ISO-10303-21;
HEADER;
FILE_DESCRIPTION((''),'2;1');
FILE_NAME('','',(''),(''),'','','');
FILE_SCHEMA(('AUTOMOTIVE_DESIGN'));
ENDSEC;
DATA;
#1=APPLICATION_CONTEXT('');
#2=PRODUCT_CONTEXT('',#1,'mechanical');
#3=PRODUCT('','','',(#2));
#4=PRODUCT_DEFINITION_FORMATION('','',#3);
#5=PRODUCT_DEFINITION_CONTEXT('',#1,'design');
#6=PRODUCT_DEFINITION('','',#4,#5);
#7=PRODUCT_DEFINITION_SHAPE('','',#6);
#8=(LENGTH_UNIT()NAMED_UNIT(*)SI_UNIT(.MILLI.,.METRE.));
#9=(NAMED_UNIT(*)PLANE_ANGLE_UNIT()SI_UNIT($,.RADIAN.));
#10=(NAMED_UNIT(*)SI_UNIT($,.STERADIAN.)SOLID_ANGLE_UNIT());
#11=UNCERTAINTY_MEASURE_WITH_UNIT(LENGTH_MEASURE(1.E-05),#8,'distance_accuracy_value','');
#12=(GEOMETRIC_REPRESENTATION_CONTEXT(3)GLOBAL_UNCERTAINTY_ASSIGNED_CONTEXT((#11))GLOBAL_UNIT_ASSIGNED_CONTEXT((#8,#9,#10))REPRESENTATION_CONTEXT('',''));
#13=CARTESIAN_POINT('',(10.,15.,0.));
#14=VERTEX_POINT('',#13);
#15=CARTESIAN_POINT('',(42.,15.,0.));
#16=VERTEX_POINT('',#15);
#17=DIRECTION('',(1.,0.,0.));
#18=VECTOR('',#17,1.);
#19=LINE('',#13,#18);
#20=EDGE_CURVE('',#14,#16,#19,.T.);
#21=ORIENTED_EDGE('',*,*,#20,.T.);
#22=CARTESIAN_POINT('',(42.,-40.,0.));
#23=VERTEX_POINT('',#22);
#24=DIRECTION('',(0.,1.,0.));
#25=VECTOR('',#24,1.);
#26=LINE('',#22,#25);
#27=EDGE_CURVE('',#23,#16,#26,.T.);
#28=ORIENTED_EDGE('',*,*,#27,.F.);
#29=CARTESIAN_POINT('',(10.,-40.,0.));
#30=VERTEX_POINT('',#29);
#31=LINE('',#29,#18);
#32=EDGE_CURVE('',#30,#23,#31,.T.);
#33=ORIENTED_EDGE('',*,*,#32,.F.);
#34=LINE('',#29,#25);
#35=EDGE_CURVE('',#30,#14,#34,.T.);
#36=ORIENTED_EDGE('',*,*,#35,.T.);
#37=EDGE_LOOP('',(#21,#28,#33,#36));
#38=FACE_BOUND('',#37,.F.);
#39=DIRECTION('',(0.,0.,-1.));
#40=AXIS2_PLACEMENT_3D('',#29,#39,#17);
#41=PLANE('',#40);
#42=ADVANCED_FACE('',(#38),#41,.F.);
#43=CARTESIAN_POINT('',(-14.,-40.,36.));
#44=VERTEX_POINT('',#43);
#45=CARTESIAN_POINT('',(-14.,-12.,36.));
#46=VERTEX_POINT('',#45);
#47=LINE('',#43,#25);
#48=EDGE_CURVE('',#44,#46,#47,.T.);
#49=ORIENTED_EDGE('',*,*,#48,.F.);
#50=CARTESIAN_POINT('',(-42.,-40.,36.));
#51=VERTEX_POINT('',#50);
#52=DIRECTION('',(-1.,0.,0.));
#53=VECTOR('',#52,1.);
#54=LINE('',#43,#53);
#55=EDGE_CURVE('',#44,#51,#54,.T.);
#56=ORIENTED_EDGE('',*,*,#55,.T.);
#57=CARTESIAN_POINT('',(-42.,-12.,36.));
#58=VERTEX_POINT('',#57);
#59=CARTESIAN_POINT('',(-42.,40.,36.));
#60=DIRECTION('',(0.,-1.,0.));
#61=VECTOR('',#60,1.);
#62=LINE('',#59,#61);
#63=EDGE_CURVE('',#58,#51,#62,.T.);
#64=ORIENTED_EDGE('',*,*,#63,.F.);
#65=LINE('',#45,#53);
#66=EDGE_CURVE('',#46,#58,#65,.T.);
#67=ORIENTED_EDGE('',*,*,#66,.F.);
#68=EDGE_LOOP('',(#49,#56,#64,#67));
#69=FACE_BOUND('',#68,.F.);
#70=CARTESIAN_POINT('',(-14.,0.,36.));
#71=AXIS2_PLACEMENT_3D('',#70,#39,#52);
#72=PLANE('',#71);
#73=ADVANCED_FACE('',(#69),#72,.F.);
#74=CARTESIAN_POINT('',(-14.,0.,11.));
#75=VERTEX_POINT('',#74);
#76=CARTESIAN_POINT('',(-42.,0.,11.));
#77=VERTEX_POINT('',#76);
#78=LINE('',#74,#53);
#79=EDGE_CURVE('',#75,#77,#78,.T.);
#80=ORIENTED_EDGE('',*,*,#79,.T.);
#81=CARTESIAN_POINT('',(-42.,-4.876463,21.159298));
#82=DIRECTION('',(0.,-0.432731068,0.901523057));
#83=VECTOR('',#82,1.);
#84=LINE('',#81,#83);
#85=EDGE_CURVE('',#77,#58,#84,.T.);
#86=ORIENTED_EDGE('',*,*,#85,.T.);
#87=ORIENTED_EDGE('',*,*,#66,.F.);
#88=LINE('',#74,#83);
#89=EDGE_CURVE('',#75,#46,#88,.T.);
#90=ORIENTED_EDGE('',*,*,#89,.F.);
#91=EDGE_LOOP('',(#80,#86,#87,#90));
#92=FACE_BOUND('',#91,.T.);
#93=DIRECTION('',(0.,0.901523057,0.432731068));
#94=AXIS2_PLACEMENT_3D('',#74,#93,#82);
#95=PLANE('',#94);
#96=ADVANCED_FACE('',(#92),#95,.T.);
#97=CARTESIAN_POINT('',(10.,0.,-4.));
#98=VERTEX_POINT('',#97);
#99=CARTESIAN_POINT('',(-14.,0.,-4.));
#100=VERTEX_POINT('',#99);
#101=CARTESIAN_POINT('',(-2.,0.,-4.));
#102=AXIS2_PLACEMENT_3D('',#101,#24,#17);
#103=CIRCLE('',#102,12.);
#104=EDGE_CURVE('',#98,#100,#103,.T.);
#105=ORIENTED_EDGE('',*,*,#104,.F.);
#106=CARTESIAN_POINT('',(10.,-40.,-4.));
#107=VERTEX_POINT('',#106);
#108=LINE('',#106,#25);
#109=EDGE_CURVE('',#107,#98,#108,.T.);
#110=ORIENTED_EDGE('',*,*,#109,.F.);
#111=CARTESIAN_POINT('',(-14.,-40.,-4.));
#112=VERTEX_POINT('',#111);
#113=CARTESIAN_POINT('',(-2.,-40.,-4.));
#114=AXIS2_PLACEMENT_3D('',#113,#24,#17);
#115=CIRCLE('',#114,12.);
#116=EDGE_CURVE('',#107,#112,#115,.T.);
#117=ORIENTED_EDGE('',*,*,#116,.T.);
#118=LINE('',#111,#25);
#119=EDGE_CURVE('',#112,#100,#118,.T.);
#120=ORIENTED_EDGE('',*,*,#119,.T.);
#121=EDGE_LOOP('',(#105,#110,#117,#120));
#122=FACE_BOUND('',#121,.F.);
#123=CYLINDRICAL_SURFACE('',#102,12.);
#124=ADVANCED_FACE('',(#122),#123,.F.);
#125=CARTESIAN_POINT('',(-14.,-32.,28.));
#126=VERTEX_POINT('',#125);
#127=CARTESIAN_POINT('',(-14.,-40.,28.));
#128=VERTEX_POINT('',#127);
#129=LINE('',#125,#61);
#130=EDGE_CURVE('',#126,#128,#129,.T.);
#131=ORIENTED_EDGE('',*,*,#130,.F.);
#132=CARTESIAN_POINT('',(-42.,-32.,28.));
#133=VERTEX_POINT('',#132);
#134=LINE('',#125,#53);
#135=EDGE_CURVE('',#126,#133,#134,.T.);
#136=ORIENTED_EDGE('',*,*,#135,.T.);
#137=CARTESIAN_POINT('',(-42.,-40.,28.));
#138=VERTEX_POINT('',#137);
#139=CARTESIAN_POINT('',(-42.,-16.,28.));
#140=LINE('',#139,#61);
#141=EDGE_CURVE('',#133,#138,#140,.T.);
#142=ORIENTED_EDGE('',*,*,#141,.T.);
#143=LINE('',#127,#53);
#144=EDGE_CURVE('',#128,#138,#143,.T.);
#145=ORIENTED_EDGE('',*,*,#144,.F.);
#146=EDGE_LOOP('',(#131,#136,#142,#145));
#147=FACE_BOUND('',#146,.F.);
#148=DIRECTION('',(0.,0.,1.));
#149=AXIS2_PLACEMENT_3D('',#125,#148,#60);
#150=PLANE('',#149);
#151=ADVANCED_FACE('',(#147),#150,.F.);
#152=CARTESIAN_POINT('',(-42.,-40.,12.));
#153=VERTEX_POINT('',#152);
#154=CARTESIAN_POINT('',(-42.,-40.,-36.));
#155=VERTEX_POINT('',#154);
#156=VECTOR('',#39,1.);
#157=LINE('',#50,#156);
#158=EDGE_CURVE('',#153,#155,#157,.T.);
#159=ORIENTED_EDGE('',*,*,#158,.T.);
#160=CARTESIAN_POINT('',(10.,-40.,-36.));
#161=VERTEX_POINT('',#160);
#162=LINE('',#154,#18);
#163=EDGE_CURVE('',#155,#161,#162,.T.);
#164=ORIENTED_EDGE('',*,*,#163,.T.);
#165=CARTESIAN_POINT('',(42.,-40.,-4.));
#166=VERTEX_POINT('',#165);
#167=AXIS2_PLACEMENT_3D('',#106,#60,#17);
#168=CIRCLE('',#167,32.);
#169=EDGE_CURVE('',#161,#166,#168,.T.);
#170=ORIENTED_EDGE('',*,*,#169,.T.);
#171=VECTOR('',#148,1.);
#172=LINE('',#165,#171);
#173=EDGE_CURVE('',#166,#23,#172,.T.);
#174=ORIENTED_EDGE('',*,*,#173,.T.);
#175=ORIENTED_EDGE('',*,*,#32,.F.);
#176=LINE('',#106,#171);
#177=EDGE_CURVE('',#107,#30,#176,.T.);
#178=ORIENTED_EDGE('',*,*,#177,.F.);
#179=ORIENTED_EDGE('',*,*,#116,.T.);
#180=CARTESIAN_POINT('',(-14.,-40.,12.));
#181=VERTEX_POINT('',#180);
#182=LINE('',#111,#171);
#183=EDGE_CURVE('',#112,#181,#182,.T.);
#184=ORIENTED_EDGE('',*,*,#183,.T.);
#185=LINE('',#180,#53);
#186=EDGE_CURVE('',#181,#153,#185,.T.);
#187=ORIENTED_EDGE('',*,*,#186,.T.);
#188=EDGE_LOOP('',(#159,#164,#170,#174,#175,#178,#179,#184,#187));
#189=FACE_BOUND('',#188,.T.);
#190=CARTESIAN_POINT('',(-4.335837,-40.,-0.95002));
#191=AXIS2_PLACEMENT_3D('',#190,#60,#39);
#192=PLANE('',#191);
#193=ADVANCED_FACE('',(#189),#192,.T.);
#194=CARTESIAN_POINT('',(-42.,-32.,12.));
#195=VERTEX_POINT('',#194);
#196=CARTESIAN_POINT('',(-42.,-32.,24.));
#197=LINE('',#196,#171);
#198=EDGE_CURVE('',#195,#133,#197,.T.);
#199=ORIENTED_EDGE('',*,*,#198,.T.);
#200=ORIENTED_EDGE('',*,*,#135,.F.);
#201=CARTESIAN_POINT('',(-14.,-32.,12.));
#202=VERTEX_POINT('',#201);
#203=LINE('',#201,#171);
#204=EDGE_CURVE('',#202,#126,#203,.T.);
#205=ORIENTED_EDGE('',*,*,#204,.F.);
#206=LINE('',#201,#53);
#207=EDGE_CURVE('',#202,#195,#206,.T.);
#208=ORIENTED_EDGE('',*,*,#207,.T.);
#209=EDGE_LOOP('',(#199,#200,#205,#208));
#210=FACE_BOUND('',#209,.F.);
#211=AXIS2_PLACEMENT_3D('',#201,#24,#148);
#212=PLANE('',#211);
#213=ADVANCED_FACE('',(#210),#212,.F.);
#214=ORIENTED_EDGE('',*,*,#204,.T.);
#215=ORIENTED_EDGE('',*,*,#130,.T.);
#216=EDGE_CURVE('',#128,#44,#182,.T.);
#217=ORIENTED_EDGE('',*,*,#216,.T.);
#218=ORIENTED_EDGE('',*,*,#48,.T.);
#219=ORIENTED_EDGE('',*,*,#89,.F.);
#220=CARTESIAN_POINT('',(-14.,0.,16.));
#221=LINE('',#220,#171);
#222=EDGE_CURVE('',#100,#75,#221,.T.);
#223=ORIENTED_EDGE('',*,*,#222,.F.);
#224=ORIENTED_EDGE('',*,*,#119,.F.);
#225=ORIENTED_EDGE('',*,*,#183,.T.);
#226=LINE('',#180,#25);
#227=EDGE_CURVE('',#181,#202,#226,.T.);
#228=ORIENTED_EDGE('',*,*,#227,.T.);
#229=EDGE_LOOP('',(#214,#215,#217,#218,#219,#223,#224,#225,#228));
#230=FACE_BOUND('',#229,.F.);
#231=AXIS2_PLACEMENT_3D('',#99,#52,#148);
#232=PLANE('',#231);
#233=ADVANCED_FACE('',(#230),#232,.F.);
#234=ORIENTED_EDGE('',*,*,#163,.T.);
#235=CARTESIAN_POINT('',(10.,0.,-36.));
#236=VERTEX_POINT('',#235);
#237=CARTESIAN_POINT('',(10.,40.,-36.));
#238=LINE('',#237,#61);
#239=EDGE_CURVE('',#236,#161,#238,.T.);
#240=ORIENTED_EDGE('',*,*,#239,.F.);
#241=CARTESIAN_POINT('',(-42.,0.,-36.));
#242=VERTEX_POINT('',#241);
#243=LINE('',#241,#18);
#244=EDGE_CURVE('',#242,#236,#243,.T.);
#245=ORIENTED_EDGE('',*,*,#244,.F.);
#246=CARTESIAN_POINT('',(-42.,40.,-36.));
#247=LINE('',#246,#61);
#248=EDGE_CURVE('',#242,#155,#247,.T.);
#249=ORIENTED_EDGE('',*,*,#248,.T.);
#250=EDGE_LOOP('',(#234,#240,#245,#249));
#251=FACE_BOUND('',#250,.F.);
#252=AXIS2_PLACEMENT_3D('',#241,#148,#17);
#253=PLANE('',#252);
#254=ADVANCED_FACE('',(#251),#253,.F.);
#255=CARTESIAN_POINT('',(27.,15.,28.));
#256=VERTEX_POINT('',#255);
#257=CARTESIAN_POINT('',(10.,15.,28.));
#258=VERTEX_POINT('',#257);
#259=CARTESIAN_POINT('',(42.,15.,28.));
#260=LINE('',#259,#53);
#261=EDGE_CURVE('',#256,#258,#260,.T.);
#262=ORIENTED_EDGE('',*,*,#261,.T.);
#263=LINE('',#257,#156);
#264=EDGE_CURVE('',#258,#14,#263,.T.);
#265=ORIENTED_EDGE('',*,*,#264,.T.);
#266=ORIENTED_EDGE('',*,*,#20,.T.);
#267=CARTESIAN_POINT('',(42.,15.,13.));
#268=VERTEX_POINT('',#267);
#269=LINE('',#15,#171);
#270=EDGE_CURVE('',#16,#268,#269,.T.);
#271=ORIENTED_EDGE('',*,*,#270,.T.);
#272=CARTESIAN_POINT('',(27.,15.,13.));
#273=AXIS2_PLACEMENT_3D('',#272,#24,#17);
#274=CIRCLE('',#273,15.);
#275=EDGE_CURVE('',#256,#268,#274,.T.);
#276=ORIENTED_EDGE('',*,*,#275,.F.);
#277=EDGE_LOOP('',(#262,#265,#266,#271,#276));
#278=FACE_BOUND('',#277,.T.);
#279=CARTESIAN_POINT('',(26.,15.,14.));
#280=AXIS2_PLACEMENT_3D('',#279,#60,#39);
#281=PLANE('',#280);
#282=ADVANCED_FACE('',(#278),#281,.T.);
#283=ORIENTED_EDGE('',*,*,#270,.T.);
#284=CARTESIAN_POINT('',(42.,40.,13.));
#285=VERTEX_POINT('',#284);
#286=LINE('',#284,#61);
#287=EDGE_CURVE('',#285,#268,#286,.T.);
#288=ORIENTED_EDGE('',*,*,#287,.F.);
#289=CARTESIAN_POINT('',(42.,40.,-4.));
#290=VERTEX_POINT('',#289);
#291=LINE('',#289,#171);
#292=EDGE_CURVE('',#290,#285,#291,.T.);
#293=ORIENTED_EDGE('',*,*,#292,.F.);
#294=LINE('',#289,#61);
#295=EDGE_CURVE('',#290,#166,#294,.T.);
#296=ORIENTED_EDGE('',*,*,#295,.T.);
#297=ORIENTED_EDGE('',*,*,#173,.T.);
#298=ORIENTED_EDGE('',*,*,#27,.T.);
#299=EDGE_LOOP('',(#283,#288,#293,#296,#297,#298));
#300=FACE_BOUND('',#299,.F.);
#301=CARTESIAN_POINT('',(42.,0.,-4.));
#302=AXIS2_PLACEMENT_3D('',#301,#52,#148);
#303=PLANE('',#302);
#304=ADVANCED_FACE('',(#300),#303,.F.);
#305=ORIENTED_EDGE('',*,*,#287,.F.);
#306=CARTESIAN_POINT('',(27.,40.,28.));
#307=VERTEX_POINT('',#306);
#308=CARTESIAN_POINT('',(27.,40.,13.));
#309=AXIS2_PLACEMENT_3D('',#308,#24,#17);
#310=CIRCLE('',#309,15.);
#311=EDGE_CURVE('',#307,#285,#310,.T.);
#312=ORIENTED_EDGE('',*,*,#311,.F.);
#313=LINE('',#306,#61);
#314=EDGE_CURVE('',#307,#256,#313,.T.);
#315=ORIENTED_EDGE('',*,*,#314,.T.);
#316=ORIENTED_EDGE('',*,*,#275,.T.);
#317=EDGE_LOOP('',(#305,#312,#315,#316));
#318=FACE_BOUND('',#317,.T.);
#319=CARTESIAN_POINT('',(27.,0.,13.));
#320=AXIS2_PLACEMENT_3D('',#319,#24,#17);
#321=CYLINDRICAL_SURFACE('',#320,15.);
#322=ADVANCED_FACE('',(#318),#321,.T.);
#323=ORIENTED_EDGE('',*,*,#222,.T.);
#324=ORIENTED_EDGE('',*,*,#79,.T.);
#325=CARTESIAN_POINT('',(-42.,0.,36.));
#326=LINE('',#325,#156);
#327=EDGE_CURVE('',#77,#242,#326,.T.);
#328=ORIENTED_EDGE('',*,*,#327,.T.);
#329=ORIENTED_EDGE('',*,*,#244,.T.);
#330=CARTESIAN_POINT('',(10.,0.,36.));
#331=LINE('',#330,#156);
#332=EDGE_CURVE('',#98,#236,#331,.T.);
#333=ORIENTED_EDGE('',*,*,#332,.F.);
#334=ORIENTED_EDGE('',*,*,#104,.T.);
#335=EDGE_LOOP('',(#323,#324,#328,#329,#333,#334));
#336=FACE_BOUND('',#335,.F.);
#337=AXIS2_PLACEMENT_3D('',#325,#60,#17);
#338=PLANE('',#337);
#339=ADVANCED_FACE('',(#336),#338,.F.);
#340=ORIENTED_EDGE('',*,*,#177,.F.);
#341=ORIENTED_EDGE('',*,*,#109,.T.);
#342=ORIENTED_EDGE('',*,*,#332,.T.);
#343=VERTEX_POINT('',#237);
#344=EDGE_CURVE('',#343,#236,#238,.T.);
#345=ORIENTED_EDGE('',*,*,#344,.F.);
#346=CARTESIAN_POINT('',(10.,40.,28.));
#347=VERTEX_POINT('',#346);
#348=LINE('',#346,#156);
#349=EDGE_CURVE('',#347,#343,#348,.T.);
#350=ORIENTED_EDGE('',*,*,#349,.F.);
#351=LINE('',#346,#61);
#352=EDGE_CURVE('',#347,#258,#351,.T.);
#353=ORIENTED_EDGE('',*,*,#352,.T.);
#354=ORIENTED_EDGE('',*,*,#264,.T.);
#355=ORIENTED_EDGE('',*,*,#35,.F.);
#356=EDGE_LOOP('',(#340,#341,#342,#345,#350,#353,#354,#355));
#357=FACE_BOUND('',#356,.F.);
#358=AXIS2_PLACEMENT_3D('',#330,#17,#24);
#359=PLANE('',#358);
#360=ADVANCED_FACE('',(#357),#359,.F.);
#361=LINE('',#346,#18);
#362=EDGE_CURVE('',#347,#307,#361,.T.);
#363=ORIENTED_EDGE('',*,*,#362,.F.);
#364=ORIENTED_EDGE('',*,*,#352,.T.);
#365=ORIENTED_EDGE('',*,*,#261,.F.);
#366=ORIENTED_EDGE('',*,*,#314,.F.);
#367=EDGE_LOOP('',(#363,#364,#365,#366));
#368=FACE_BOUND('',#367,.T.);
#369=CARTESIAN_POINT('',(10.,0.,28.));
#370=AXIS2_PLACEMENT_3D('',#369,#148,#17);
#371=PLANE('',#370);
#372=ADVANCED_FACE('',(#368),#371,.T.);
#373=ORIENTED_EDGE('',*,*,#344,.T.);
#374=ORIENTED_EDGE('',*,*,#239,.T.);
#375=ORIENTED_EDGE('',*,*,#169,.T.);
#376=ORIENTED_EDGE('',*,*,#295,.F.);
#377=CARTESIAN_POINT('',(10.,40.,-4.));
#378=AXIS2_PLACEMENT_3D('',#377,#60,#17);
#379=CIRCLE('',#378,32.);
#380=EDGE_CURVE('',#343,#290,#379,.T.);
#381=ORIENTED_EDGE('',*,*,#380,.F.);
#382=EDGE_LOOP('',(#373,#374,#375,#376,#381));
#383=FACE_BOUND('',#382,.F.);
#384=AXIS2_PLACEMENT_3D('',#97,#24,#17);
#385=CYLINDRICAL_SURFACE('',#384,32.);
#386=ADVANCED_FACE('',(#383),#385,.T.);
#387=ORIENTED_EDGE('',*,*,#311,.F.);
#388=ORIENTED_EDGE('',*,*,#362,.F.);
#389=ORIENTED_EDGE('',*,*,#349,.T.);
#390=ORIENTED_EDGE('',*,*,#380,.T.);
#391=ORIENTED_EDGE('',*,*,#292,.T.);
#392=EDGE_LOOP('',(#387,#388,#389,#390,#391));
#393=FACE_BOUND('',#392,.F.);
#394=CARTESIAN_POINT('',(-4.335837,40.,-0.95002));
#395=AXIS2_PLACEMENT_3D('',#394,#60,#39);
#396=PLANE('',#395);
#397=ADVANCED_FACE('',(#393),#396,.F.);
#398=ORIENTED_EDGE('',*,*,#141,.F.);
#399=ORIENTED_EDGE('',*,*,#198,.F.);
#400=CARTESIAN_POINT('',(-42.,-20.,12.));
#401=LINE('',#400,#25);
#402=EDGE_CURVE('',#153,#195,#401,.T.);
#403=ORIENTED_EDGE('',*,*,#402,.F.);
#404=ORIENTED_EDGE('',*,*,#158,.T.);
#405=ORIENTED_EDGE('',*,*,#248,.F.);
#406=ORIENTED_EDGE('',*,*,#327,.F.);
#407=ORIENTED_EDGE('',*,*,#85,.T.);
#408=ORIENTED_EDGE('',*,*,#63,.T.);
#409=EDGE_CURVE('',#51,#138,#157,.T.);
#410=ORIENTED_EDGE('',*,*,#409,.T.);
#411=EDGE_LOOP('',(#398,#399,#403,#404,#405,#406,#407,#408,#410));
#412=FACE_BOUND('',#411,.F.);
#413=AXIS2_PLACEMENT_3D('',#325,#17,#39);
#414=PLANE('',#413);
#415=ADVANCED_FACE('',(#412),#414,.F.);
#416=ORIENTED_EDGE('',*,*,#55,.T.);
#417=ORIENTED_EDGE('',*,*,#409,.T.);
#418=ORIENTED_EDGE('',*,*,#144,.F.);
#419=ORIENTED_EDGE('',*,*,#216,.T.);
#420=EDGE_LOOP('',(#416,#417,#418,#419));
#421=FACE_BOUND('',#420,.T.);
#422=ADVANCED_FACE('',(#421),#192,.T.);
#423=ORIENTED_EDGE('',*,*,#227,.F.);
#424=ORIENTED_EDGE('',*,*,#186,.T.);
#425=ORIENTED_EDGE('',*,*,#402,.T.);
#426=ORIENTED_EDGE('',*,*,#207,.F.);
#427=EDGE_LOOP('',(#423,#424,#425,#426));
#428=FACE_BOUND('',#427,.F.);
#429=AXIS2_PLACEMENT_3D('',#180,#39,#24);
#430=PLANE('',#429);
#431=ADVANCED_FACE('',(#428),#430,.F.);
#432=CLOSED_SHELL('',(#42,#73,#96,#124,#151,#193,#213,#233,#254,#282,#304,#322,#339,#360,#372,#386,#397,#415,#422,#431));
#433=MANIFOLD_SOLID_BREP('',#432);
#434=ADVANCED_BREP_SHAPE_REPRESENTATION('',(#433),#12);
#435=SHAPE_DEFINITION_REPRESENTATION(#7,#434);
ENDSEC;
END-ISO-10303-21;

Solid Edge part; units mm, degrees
sketch "Sketch1" plane through (0, 0, 0) normal (0, -1, 0) x (1, 0, 0)
  line L0 (-14, 36) -> (-42, 36)
  line L1 (-42, 36) -> (-42, -36)
  line L2 (-42, -36) -> (10, -36)
  arc A0 (10, -36) -> (42, -4) centre (10, -4) ccw
  line L3 (42, -4) -> (42, 13)
  arc A1 (27, 28) -> (42, 13) centre (27, 13) cw
  line L4 (10, 28) -> (27, 28)
  line L5 (10, -4) -> (10, 28)
  line L6 (-14, -4) -> (-14, 36)
  arc A2 (10, -4) -> (-14, -4) centre (-2, -4) cw
extrude "Protrusion1" add sketch "Sketch1" along normal mid plane 80
sketch "Sketch2" plane through (0, -40, 0) normal (0, -1, 0) x (1, 0, 0)
  line L0 (42, 0) -> (42, 28)
  line L1 (42, 28) -> (10, 28)
  line L2 (10, 28) -> (10, 0)
  line L3 (10, 0) -> (42, 0)
extrude "ExtrudedCutout_1" cut sketch "Sketch2" against normal blind 55
sketch "Sketch3" plane through (-28, 0, 36) normal (0, 0, 1) x (0, 1, 0)
  line L0 (0, -38) -> (40, -38)
  line L1 (40, -38) -> (40, 14)
  line L2 (40, 14) -> (0, 14)
  line L3 (0, 14) -> (0, -38)
extrude "ExtrudedCutout_2" cut sketch "Sketch3" against normal blind 72
sketch "Sketch4" plane through (-14, -20, 16) normal (1, 0, 0) x (0, 1, 0)
  line L0 (-12, 12) -> (-20, 12)
  line L1 (-20, 12) -> (-20, -4)
  line L2 (-20, -4) -> (-12, -4)
  line L3 (-12, -4) -> (-12, 12)
  line L4 (20, -5) -> (8, 20)
  line L5 (20, 20) -> (8, 20)
  line L6 (20, 20) -> (20, -5)
extrude "ExtrudedCutout_3" cut sketch "Sketch4" against normal blind 68.049
